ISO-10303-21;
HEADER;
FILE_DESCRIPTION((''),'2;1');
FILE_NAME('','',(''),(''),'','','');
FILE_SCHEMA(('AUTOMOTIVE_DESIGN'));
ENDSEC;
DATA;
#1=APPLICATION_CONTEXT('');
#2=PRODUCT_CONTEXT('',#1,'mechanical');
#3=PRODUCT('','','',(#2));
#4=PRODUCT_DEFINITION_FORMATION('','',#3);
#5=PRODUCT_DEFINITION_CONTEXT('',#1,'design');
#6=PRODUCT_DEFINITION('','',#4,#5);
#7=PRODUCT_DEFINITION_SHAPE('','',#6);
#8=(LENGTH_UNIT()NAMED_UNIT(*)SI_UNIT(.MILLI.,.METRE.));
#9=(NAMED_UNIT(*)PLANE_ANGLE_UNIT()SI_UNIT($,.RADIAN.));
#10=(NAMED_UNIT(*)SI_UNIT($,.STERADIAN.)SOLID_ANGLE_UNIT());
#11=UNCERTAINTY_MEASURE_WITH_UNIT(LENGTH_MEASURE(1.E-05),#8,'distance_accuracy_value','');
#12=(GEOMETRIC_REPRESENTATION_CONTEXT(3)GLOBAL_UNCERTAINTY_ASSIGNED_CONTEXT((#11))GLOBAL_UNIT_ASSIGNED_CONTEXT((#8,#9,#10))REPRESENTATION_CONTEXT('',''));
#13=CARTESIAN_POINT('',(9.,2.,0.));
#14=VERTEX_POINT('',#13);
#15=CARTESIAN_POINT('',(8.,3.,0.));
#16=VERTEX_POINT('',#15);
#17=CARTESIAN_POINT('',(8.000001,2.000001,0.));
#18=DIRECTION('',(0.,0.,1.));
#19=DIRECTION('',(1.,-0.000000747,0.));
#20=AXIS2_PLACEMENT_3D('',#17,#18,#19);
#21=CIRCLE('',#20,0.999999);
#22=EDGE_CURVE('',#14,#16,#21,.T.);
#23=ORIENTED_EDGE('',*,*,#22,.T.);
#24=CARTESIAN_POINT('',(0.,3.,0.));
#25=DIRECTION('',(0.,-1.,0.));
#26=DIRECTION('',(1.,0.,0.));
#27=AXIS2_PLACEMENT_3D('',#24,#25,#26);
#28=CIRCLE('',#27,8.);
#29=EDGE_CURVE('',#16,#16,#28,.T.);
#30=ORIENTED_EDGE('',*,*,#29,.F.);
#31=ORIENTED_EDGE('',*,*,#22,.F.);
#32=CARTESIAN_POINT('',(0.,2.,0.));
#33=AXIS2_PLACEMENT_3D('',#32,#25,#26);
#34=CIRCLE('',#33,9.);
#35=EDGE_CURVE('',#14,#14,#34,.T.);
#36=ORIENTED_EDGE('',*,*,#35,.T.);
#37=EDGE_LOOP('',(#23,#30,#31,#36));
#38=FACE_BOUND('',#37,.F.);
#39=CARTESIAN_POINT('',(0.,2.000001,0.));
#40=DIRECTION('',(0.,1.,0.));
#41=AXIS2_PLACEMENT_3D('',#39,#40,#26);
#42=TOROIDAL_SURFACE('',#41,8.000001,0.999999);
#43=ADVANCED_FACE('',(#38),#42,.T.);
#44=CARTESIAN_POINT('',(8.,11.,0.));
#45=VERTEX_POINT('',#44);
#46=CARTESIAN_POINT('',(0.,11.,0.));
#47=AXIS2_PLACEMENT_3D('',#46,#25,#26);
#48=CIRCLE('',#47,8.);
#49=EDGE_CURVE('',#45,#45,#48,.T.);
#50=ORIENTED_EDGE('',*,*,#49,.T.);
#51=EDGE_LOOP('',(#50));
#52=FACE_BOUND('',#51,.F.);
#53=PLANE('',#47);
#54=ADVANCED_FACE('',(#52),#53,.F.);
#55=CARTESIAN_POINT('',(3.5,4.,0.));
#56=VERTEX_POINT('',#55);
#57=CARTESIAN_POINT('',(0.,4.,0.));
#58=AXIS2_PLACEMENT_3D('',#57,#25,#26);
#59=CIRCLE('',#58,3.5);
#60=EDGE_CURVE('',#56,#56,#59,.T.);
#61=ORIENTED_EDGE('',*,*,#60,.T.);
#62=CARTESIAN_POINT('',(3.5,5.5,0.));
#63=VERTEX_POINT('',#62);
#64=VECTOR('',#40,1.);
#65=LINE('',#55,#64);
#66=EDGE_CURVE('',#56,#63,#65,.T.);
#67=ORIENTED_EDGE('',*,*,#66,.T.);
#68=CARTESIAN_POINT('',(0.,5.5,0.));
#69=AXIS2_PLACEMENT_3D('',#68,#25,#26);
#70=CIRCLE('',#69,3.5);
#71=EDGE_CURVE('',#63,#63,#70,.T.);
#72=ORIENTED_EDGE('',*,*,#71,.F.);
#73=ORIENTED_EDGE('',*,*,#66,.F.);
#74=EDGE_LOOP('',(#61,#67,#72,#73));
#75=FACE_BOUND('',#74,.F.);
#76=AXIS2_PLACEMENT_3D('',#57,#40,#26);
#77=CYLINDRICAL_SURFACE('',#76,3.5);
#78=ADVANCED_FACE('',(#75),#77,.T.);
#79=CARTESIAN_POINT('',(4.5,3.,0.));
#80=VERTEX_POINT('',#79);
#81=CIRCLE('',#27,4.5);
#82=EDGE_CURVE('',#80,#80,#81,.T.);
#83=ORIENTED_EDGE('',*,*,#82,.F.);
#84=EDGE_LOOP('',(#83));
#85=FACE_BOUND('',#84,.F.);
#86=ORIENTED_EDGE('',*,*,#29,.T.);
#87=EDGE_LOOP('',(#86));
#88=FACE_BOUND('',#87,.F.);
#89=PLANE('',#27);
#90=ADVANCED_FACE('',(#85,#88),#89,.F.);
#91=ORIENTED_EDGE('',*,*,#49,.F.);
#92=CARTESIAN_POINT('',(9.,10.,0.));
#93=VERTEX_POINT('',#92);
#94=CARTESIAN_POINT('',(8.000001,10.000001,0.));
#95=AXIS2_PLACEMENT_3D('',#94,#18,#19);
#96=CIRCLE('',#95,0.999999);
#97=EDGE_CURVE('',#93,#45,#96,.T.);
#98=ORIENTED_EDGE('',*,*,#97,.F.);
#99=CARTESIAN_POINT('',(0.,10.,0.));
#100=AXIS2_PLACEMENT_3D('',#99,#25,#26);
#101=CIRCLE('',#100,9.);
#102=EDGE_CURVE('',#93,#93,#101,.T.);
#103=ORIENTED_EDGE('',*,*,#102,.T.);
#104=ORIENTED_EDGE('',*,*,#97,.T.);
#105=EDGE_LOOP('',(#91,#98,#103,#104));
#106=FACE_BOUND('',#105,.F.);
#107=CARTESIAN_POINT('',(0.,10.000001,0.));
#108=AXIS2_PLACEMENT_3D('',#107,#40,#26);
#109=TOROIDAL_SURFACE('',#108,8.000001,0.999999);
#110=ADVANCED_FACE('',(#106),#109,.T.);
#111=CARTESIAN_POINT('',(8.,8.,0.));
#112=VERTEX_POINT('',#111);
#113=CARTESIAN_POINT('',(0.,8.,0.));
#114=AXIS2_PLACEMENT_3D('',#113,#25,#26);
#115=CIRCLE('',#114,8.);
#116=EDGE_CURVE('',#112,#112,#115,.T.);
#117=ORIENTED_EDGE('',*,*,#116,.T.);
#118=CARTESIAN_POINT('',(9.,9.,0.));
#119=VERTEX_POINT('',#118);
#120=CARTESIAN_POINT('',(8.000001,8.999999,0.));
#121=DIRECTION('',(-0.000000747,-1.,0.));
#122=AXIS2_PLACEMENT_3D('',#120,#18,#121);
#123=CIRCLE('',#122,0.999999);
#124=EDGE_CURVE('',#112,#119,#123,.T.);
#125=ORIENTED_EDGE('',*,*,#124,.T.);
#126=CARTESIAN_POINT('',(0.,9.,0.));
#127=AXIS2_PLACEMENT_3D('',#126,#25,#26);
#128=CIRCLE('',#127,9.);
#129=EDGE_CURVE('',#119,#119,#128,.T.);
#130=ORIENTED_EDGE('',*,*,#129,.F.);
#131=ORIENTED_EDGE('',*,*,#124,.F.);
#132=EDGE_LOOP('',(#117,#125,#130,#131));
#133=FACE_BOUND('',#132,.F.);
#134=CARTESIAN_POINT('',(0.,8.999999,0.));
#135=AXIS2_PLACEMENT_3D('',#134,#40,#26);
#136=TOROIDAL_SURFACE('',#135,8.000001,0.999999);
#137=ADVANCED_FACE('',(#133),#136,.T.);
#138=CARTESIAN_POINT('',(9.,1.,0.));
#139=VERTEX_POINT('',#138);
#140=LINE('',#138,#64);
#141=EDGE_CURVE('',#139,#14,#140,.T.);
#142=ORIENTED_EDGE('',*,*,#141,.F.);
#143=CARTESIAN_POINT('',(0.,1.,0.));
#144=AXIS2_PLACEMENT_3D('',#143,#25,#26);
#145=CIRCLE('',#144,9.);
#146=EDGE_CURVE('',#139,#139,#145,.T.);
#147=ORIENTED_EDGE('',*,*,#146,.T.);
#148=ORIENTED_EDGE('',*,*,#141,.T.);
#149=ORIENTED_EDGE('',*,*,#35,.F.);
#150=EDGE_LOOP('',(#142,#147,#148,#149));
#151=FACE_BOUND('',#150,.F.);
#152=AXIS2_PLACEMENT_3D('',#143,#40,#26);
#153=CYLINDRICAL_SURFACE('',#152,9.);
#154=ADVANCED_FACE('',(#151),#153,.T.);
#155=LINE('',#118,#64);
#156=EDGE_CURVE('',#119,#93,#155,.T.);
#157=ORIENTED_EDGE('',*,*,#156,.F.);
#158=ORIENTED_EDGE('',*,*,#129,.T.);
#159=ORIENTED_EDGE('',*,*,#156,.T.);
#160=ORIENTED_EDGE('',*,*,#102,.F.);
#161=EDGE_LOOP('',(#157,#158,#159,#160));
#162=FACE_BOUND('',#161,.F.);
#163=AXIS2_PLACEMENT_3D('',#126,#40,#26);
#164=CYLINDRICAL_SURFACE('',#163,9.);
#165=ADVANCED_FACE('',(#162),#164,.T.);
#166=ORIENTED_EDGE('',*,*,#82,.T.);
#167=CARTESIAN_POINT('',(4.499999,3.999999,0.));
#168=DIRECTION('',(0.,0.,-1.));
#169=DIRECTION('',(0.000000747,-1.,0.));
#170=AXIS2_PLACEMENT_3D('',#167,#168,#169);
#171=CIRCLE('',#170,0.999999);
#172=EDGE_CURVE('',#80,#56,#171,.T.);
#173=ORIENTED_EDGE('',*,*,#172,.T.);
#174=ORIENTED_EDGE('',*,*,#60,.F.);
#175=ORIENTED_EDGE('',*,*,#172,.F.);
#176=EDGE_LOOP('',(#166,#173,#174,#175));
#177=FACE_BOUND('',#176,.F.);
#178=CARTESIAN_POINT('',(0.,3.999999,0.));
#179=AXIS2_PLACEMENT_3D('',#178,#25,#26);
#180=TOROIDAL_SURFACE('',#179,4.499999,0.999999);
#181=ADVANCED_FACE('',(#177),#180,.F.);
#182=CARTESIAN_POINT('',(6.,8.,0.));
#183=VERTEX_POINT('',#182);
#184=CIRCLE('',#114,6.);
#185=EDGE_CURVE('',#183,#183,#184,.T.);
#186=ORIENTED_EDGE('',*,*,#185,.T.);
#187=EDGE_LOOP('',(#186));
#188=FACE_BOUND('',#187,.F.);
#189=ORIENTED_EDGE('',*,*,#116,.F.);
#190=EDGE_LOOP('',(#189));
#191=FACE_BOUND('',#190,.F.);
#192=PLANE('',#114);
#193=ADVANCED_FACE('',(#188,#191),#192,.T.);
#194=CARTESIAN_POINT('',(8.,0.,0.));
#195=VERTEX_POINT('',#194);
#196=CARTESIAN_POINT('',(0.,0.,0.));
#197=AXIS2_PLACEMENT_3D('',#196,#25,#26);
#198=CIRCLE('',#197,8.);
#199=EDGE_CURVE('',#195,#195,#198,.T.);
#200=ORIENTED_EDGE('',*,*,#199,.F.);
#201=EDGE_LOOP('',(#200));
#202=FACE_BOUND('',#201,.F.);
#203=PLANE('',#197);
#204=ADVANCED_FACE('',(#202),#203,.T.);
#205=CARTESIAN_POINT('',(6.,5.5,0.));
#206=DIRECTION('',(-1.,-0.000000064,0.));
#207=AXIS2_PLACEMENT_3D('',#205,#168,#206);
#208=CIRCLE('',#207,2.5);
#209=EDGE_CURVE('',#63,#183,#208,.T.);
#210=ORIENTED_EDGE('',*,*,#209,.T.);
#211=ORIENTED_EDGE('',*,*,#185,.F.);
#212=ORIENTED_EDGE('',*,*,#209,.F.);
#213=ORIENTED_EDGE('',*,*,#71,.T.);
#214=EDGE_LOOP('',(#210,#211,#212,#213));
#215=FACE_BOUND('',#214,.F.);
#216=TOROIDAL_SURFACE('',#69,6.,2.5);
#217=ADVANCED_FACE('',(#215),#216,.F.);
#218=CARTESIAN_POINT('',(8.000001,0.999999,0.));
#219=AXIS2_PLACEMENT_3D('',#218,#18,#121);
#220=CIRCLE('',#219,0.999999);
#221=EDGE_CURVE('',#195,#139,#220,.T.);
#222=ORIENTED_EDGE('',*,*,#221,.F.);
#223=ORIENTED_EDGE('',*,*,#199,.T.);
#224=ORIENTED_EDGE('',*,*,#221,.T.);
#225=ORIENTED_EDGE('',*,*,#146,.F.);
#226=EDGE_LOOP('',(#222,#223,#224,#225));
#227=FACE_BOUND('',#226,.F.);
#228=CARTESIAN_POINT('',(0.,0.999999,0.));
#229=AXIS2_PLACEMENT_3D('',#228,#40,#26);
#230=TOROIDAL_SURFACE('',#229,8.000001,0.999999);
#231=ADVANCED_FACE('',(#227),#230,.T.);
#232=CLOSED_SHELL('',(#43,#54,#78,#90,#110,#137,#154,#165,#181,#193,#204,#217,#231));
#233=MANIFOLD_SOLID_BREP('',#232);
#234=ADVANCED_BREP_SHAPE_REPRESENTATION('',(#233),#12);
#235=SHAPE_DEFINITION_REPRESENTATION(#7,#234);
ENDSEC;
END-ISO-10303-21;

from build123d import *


with BuildPart() as f1:
    # F0 (on Top) → F1 (revolve)
    with BuildSketch(Plane.XY):
        with BuildLine():
            Line((0, 11), (0, 0))
            Line((0, 0), (8, 0))
            ThreePointArc((8, 0), (8.707107, 0.292893), (9, 1))
            Line((9, 1), (9, 2))
            ThreePointArc((9, 2), (8.707107, 2.707107), (8, 3))
            Line((8, 3), (4.5, 3))
            ThreePointArc((4.5, 3), (3.792893, 3.292893), (3.5, 4))
            Line((3.5, 4), (3.5, 5.5))
            ThreePointArc((3.5, 5.5), (4.232233, 7.267767), (6, 8))
            Line((6, 8), (8, 8))
            ThreePointArc((8, 8), (8.707107, 8.292893), (9, 9))
            Line((9, 9), (9, 10))
            ThreePointArc((9, 10), (8.707107, 10.707107), (8, 11))
            Line((8, 11), (0, 11))
        make_face()
    revolve(axis=Axis((0, 5.5, 0), (0, -1, 0)))


solid = f1.part
